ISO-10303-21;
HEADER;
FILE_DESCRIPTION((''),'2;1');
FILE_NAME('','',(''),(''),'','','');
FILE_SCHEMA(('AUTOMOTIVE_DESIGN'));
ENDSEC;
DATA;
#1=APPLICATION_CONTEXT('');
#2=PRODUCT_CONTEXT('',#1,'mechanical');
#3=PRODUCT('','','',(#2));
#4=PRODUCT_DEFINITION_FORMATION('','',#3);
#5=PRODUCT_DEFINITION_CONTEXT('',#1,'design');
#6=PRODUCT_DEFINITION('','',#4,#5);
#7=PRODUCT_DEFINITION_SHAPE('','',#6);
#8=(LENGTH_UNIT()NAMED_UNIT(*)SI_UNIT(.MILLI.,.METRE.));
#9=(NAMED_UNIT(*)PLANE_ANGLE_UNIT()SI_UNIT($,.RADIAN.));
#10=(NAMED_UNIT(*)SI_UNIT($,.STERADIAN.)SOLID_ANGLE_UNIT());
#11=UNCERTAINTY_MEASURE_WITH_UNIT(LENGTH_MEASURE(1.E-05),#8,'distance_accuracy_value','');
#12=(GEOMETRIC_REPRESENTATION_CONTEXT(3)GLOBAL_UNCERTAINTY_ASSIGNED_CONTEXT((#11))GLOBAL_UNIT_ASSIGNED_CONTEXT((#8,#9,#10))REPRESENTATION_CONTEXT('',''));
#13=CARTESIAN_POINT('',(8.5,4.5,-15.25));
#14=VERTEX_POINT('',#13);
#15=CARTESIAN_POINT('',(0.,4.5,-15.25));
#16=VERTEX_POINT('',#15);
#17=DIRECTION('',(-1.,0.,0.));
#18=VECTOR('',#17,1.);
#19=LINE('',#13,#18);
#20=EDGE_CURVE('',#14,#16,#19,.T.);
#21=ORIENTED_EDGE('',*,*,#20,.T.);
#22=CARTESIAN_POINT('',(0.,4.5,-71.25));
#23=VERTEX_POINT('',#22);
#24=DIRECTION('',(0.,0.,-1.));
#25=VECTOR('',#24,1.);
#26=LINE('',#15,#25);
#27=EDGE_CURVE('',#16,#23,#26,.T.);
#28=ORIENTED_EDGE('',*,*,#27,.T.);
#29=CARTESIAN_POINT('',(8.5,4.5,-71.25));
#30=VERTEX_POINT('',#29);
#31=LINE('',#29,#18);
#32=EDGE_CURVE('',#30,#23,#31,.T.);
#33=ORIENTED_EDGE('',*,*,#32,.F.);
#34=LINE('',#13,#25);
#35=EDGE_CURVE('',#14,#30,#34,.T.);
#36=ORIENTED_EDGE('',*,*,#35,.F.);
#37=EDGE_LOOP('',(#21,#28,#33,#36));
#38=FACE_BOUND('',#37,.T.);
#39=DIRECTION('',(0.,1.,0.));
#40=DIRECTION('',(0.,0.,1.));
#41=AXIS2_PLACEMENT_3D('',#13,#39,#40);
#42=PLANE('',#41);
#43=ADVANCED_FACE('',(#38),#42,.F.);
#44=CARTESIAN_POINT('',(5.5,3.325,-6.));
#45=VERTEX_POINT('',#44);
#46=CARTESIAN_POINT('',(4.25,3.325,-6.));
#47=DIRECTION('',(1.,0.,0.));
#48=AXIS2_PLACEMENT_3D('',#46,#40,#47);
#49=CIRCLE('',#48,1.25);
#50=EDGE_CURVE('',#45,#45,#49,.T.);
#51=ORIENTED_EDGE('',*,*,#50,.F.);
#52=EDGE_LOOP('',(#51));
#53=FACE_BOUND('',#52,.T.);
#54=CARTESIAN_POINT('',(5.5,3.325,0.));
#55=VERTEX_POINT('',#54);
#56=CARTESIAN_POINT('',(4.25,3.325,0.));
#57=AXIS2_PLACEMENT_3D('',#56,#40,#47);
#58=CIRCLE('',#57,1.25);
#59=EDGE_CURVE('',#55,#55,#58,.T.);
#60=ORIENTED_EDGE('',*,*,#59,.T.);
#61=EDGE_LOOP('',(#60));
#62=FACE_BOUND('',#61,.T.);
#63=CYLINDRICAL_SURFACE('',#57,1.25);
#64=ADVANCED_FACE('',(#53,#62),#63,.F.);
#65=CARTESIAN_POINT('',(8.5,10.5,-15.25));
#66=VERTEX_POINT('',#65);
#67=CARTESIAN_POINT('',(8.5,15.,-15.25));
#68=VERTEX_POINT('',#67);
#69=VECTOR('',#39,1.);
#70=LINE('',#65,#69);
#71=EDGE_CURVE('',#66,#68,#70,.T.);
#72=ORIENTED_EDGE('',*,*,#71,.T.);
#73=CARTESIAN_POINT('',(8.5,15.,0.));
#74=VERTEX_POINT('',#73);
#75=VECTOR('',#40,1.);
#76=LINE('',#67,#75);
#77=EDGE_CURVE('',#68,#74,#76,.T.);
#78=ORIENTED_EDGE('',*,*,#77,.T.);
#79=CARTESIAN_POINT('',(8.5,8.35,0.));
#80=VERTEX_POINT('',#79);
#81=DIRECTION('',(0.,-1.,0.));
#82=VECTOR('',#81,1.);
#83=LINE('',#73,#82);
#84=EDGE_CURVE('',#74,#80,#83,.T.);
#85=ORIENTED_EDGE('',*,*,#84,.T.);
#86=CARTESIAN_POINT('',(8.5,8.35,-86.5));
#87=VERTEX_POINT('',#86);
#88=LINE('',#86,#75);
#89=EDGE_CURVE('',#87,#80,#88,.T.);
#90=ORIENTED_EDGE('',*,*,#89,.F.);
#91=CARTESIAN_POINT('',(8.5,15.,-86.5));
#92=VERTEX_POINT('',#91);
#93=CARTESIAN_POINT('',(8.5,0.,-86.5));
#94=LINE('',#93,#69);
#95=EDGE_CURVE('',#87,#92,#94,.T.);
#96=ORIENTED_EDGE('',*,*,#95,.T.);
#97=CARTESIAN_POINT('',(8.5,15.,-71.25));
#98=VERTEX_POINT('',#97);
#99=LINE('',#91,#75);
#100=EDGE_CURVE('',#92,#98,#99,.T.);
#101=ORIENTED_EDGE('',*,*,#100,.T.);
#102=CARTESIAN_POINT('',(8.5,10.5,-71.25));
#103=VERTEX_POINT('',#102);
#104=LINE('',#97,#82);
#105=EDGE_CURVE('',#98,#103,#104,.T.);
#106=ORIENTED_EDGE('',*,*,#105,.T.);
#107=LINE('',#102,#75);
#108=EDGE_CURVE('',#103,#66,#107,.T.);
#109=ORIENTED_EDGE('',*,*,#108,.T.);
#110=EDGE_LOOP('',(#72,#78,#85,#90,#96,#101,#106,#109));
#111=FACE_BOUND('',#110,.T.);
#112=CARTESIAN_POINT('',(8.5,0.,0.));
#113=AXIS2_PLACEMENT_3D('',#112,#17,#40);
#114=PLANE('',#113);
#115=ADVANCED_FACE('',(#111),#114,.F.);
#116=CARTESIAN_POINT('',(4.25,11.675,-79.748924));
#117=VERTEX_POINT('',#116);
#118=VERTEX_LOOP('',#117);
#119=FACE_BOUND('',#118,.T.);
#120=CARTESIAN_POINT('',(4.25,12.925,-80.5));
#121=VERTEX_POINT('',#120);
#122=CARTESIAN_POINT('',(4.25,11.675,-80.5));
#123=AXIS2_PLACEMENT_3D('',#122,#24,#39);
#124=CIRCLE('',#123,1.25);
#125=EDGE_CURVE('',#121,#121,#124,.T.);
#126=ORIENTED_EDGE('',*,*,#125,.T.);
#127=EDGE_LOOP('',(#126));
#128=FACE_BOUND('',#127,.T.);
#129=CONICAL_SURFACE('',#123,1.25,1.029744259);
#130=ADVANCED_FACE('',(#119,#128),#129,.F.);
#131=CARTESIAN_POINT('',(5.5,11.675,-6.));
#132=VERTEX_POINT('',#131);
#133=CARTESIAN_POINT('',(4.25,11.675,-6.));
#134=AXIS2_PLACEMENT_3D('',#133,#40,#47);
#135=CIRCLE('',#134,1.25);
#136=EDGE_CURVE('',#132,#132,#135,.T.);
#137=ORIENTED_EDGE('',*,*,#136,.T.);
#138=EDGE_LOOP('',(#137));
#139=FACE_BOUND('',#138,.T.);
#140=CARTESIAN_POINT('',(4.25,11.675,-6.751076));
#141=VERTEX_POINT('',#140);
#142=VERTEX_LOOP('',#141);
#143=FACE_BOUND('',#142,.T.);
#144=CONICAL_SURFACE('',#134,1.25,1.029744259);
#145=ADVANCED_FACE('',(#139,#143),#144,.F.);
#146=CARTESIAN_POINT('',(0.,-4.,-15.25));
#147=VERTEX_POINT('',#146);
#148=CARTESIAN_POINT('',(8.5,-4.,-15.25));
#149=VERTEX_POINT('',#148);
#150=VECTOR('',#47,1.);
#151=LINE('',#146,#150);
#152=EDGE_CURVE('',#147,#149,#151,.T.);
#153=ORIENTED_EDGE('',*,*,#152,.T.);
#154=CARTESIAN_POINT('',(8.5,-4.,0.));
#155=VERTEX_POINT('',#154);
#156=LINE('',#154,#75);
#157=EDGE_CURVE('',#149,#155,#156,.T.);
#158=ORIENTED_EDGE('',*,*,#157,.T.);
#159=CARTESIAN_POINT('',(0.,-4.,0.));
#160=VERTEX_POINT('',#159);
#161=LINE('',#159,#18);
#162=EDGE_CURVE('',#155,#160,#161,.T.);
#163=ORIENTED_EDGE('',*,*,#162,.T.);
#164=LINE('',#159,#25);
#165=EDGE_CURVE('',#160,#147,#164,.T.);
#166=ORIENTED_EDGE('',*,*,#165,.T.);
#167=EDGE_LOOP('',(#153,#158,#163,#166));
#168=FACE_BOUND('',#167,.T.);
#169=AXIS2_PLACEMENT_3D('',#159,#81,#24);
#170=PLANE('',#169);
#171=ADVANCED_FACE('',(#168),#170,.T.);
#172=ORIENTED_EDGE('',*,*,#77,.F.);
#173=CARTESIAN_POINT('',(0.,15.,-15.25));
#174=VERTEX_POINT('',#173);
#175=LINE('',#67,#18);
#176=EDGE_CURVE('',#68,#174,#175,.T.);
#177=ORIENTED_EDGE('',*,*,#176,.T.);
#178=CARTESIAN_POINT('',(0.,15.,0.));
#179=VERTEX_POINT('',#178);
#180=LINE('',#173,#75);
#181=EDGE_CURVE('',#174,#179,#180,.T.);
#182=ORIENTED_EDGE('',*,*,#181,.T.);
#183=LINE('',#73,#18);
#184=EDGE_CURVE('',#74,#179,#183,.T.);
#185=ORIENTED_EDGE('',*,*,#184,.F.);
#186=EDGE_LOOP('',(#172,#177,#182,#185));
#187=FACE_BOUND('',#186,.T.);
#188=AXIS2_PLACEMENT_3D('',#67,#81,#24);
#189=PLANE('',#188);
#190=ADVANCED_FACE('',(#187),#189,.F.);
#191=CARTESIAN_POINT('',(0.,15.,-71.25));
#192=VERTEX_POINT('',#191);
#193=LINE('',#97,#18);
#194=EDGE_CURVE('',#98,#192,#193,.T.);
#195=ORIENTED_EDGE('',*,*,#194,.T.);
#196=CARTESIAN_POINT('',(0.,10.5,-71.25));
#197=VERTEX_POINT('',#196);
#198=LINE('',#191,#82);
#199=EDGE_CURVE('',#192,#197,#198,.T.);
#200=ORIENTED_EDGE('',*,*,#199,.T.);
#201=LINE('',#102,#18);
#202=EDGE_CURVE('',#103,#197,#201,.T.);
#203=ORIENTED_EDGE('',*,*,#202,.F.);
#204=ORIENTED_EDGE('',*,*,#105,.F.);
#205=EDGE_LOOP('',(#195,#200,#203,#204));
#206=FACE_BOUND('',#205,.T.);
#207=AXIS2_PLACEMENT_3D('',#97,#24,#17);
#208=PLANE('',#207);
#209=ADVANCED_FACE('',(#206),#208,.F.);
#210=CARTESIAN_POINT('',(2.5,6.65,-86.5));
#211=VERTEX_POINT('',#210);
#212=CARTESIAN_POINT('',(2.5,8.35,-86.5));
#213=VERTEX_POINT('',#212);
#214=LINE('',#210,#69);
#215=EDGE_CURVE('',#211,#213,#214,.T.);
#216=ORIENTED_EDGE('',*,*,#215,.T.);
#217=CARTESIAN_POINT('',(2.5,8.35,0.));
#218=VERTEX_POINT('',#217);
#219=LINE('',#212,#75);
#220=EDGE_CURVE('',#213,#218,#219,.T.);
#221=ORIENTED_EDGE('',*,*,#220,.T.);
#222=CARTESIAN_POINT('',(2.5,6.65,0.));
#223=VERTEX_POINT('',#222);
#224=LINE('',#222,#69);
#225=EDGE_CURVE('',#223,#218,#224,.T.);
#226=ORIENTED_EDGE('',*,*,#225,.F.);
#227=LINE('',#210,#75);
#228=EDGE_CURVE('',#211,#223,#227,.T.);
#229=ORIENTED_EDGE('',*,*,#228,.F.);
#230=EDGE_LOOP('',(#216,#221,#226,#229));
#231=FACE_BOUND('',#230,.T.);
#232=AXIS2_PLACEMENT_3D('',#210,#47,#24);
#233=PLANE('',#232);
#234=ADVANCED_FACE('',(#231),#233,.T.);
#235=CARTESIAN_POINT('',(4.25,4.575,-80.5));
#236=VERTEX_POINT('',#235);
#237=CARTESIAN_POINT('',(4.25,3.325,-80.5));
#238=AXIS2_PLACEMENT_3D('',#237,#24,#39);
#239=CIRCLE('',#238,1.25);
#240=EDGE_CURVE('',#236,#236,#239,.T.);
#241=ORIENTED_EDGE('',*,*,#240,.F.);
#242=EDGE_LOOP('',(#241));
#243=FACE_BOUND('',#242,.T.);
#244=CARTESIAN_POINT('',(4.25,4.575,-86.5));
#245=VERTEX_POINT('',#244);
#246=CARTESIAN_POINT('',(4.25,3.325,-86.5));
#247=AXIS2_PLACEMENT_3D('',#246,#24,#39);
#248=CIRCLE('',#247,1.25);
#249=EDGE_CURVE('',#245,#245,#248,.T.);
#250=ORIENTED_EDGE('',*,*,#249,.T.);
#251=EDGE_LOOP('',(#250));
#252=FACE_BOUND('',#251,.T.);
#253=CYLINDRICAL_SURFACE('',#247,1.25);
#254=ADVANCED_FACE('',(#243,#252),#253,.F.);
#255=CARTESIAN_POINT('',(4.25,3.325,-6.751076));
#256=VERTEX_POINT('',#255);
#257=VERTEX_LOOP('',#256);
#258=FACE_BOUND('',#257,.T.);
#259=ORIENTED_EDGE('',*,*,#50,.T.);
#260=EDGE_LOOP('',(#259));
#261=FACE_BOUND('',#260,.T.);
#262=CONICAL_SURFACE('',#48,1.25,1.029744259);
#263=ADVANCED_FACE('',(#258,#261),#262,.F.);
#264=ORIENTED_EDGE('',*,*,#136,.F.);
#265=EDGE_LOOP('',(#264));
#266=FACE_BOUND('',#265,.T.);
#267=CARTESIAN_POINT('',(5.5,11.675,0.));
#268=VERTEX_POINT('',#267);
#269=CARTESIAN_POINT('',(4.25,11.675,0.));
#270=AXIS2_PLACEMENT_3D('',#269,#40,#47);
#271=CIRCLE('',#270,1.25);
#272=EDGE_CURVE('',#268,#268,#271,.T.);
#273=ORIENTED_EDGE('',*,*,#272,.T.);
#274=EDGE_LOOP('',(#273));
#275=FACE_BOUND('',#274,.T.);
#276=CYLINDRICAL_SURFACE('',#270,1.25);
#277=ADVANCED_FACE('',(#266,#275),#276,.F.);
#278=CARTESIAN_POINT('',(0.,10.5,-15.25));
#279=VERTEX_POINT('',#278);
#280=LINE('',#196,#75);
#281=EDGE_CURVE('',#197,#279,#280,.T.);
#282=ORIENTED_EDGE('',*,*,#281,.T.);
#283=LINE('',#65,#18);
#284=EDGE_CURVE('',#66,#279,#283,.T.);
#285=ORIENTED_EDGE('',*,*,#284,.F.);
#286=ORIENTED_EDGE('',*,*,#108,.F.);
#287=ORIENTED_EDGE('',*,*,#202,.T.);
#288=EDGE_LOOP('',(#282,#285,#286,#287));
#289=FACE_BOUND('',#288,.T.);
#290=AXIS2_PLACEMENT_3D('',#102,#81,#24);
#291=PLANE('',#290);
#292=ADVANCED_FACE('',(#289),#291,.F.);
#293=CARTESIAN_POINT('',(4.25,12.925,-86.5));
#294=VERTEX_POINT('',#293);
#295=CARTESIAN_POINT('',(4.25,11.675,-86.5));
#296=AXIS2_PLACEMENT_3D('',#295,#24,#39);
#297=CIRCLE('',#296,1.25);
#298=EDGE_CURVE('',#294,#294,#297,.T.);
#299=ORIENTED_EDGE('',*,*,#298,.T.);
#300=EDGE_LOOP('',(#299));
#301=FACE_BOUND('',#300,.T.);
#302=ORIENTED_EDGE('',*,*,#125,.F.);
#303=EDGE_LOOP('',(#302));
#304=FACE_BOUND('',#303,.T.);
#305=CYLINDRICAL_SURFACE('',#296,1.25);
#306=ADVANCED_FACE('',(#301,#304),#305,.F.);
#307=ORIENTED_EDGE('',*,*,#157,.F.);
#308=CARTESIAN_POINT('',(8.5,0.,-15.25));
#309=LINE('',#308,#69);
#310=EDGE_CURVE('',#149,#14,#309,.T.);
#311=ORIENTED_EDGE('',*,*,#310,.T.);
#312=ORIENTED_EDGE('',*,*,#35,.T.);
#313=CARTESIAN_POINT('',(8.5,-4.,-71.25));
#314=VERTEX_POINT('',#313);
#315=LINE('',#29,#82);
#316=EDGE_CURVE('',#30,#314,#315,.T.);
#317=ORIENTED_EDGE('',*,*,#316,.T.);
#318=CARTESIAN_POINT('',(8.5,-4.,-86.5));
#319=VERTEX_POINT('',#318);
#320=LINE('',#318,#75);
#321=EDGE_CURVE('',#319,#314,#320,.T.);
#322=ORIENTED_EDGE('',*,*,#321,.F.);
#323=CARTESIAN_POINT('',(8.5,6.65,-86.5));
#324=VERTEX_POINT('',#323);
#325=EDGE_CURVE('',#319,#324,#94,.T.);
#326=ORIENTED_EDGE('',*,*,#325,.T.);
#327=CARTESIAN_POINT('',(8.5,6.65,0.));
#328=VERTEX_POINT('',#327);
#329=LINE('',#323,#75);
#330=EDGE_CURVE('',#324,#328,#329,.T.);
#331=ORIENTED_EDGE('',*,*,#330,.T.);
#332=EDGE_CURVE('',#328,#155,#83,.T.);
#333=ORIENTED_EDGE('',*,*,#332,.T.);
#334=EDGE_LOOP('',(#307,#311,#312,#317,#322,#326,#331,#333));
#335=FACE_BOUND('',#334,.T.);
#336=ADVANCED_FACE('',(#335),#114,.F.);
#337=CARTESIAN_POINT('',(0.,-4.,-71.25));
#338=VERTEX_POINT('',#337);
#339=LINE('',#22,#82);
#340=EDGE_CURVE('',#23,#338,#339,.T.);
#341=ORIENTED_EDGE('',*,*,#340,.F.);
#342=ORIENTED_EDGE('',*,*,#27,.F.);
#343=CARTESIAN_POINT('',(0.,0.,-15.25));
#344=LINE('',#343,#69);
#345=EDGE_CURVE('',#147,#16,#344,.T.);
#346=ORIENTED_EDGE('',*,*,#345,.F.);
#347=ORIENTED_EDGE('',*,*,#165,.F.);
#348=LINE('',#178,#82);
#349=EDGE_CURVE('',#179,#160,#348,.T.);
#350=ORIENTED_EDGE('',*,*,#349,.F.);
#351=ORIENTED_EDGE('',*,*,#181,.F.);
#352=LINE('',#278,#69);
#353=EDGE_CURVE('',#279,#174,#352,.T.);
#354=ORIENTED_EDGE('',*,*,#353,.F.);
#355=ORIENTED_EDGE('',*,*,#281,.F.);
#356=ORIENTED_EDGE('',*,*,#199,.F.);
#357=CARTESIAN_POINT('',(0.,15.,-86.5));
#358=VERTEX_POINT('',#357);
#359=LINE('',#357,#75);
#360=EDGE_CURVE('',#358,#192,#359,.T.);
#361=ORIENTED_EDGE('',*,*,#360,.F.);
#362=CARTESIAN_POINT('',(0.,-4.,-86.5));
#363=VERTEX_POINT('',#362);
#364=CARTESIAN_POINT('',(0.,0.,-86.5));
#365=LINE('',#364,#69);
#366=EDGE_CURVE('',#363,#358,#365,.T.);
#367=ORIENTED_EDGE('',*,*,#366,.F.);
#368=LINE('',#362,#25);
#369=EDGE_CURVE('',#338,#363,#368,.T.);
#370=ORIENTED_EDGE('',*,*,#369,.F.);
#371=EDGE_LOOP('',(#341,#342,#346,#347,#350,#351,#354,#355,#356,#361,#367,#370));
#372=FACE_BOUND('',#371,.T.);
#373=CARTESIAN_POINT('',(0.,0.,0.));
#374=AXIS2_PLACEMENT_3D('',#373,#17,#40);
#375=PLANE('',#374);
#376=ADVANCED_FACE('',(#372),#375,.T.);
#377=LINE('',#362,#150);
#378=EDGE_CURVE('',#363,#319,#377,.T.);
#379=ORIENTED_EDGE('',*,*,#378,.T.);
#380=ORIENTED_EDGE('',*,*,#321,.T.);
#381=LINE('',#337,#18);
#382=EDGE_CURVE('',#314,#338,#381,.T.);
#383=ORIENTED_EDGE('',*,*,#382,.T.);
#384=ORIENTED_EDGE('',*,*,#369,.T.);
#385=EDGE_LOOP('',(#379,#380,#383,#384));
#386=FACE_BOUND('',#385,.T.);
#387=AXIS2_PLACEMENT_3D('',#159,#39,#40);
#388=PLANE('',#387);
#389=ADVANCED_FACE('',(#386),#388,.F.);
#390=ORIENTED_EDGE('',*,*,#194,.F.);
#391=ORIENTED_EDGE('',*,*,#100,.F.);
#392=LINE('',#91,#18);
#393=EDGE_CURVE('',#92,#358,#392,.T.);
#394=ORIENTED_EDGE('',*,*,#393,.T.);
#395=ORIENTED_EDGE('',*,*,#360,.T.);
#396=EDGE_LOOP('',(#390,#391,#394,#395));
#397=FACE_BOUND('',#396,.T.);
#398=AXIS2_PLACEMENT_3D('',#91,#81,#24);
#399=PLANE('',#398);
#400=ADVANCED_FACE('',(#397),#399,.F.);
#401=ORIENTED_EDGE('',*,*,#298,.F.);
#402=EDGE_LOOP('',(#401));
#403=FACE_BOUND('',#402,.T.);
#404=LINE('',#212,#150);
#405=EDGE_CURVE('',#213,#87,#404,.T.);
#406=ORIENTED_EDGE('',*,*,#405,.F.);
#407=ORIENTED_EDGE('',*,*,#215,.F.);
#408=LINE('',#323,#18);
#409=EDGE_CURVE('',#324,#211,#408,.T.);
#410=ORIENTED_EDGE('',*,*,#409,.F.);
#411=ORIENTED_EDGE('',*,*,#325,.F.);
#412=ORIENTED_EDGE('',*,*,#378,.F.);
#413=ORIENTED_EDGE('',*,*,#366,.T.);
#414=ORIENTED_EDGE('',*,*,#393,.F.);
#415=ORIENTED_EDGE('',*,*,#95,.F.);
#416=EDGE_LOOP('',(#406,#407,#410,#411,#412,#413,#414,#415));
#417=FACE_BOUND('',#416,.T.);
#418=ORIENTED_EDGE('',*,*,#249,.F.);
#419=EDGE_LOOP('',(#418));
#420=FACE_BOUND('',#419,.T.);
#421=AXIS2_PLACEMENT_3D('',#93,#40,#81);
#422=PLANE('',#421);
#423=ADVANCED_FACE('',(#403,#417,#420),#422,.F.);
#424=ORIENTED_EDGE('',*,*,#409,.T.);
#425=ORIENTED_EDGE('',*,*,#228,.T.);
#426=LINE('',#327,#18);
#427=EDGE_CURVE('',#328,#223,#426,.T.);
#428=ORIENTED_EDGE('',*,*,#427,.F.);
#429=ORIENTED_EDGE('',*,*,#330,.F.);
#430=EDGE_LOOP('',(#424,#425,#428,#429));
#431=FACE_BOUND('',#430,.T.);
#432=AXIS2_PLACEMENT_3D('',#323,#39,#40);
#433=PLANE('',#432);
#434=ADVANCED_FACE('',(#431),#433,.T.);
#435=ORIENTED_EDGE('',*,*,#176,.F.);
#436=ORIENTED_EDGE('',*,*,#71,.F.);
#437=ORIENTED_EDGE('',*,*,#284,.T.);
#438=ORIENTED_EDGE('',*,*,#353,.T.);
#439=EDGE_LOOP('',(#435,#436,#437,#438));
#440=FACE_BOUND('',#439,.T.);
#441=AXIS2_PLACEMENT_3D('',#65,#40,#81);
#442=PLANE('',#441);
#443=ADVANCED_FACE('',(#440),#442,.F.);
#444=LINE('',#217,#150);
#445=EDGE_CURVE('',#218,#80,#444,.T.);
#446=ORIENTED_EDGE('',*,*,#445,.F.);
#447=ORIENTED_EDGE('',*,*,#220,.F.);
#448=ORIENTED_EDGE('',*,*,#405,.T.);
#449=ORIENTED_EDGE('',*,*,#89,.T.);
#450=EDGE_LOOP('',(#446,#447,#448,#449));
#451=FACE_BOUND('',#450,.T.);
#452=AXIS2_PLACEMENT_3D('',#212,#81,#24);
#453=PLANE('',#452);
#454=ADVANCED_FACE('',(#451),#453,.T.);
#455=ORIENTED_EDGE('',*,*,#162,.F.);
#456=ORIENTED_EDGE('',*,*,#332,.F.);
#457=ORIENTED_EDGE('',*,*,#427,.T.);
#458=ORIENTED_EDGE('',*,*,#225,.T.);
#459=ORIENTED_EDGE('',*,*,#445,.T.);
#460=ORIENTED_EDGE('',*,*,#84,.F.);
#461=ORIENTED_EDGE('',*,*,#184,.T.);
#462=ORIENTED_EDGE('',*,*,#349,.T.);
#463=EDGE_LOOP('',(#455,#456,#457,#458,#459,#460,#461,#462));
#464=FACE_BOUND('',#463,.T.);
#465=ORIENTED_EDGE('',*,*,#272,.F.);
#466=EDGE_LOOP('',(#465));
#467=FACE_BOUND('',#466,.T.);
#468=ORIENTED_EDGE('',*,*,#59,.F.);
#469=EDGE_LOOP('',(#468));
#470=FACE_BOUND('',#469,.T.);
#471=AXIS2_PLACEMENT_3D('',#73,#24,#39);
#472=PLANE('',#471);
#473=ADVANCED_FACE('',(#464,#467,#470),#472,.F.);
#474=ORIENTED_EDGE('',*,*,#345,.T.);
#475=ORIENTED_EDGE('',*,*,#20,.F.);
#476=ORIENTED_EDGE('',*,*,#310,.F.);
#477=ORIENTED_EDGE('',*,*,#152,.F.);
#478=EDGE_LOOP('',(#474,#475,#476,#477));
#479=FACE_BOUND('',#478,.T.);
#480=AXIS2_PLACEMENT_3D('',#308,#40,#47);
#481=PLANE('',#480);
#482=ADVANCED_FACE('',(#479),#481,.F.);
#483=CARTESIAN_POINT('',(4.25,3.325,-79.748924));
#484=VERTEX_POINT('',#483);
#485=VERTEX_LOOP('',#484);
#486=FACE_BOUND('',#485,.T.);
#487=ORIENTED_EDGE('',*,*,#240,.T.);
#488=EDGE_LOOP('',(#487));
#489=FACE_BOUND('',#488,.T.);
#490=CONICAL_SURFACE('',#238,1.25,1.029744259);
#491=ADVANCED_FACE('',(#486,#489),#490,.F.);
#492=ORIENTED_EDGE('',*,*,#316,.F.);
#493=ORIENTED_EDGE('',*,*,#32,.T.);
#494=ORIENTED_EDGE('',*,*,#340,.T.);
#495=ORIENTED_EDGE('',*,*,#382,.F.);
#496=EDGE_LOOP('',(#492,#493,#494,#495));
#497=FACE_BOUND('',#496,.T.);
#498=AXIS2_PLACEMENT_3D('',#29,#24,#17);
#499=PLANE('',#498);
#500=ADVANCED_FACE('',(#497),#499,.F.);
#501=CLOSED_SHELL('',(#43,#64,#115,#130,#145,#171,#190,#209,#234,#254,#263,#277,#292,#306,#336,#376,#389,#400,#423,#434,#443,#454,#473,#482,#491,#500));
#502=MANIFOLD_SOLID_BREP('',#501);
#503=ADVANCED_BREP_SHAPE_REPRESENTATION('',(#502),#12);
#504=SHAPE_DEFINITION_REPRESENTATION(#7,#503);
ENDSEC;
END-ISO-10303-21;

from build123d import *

# Parameters (mm, degrees)
BOSS_EXTRUDE2_DEPTH            = 8.5
SKETCH6_W                      = 6
SKETCH6_H                      = 1.7
CUT_EXTRUDE3_DEPTH             = 87.5
M3X0_5_TAPPED_HOLE4_AT_2_COUNT = 2
M3X0_5_TAPPED_HOLE4_AT_2_PITCH = 8.35
SKETCH20_W                     = 8.5
SKETCH20_H                     = 15.25
BOSS_EXTRUDE3_DEPTH            = 4
SKETCH23_W                     = 8.5
SKETCH23_H                     = 15.25
BOSS_EXTRUDE4_DEPTH            = 4


with BuildPart() as part:
    # Sketch5 → Boss-Extrude2 (new body)
    with BuildSketch(Plane(origin=(0, 0, 0), x_dir=(0, 0, -1), z_dir=(1, 0, 0))):
        Polygon((0, 0), (15.25, 0), (15.25, 4.5), (71.25, 4.5), (71.25, 0), (86.5, 0), (86.5, 15), (71.25, 15), (71.25, 10.5), (15.25, 10.5), (15.25, 15), (0, 15), align=None)
    extrude(amount=BOSS_EXTRUDE2_DEPTH)

    # Sketch6 → Cut-Extrude3 (cut, through all)
    with BuildSketch(Plane.XY):
        with Locations((5.5, 7.5)):
            Rectangle(SKETCH6_W, SKETCH6_H)
    extrude(amount=-CUT_EXTRUDE3_DEPTH, mode=Mode.SUBTRACT)

    # Sketch18 → M3x0.5 Tapped Hole4 (revolve, cut)
    with BuildSketch(Plane(origin=(4.25, 3.325, 0), x_dir=(0, -1, 0), z_dir=(1, 0, 0))):
        Polygon((0, 0), (0, 6.751075774), (1.25, 6), (1.25, 0), align=None)
    m3x0_5_tapped_hole4 = revolve(axis=Axis((4.25, 3.325, 6.35), (0, 0, -1)), mode=Mode.SUBTRACT)

    # M3x0.5 Tapped Hole4 at 2: M3x0.5 Tapped Hole4 ×2
    with Locations(*[(0, i * M3X0_5_TAPPED_HOLE4_AT_2_PITCH, 0) for i in range(1, M3X0_5_TAPPED_HOLE4_AT_2_COUNT)]):
        add(m3x0_5_tapped_hole4, mode=Mode.SUBTRACT)

    # Mirror3: M3x0.5 Tapped Hole4 across plane
    add(m3x0_5_tapped_hole4.mirror(Plane(origin=(0, 0, -43.25), x_dir=(1, 0, 0), z_dir=(0, 0, -1))), mode=Mode.SUBTRACT)

    # Mirror3 copy 1 sketch → Mirror3 copy 1 (revolve, cut)
    with BuildSketch(Plane(origin=(4.25, 11.675, -86.5), x_dir=(0, -1, 0), z_dir=(1, 0, 0))):
        Polygon((0, 0), (0, -6.751075774), (1.25, -6), (1.25, 0), align=None)
    revolve(axis=Axis((4.25, 11.675, -92.85), (0, 0, -1)), mode=Mode.SUBTRACT)

    # Sketch20 → Boss-Extrude3 (add)
    with BuildSketch(Plane.XZ):
        with Locations((4.25, -7.625)):
            Rectangle(SKETCH20_W, SKETCH20_H)
    extrude(amount=BOSS_EXTRUDE3_DEPTH)

    # Sketch23 → Boss-Extrude4 (add)
    with BuildSketch(Plane.XZ):
        with Locations((4.25, -78.875)):
            Rectangle(SKETCH23_W, SKETCH23_H)
    extrude(amount=BOSS_EXTRUDE4_DEPTH)


solid = part.part
